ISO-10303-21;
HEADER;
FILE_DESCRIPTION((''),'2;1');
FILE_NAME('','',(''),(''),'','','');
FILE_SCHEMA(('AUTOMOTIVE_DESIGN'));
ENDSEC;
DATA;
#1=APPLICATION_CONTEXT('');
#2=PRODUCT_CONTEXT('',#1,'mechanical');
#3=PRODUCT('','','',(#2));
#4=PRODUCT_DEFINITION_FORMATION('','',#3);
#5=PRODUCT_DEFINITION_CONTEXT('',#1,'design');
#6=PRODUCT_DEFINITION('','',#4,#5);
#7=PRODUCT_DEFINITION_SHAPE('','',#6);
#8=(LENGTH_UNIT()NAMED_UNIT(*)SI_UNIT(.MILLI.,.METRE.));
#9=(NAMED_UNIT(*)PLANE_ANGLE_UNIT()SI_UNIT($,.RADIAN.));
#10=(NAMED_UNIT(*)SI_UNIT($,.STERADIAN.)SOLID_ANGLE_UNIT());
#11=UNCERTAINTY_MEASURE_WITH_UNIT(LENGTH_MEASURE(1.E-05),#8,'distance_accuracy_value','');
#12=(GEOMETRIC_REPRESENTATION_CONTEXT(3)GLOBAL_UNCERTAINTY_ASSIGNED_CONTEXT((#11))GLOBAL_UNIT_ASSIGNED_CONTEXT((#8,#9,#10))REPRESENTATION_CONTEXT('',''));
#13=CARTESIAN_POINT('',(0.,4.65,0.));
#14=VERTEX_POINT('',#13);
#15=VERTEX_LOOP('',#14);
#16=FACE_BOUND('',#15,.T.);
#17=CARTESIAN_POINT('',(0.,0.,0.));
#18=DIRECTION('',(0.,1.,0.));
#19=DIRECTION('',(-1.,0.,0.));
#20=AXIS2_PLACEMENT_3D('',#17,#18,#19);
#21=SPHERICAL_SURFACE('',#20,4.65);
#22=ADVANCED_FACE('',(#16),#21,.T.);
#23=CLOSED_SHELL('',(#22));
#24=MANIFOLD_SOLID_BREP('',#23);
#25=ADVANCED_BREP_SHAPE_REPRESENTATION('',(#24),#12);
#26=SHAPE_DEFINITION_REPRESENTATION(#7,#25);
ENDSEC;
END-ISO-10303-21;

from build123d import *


with BuildPart() as part:
    # Croquis1 → Revolución10 (revolve)
    with BuildSketch(Plane.XY):
        with BuildLine():
            Line((0, 4.65), (0, -4.65))
            ThreePointArc((0, -4.65), (-4.65, 0), (0, 4.65))
        make_face()
    revolve(axis=Axis((0, 10.637642278, 0), (0, 1, 0)))


solid = part.part
